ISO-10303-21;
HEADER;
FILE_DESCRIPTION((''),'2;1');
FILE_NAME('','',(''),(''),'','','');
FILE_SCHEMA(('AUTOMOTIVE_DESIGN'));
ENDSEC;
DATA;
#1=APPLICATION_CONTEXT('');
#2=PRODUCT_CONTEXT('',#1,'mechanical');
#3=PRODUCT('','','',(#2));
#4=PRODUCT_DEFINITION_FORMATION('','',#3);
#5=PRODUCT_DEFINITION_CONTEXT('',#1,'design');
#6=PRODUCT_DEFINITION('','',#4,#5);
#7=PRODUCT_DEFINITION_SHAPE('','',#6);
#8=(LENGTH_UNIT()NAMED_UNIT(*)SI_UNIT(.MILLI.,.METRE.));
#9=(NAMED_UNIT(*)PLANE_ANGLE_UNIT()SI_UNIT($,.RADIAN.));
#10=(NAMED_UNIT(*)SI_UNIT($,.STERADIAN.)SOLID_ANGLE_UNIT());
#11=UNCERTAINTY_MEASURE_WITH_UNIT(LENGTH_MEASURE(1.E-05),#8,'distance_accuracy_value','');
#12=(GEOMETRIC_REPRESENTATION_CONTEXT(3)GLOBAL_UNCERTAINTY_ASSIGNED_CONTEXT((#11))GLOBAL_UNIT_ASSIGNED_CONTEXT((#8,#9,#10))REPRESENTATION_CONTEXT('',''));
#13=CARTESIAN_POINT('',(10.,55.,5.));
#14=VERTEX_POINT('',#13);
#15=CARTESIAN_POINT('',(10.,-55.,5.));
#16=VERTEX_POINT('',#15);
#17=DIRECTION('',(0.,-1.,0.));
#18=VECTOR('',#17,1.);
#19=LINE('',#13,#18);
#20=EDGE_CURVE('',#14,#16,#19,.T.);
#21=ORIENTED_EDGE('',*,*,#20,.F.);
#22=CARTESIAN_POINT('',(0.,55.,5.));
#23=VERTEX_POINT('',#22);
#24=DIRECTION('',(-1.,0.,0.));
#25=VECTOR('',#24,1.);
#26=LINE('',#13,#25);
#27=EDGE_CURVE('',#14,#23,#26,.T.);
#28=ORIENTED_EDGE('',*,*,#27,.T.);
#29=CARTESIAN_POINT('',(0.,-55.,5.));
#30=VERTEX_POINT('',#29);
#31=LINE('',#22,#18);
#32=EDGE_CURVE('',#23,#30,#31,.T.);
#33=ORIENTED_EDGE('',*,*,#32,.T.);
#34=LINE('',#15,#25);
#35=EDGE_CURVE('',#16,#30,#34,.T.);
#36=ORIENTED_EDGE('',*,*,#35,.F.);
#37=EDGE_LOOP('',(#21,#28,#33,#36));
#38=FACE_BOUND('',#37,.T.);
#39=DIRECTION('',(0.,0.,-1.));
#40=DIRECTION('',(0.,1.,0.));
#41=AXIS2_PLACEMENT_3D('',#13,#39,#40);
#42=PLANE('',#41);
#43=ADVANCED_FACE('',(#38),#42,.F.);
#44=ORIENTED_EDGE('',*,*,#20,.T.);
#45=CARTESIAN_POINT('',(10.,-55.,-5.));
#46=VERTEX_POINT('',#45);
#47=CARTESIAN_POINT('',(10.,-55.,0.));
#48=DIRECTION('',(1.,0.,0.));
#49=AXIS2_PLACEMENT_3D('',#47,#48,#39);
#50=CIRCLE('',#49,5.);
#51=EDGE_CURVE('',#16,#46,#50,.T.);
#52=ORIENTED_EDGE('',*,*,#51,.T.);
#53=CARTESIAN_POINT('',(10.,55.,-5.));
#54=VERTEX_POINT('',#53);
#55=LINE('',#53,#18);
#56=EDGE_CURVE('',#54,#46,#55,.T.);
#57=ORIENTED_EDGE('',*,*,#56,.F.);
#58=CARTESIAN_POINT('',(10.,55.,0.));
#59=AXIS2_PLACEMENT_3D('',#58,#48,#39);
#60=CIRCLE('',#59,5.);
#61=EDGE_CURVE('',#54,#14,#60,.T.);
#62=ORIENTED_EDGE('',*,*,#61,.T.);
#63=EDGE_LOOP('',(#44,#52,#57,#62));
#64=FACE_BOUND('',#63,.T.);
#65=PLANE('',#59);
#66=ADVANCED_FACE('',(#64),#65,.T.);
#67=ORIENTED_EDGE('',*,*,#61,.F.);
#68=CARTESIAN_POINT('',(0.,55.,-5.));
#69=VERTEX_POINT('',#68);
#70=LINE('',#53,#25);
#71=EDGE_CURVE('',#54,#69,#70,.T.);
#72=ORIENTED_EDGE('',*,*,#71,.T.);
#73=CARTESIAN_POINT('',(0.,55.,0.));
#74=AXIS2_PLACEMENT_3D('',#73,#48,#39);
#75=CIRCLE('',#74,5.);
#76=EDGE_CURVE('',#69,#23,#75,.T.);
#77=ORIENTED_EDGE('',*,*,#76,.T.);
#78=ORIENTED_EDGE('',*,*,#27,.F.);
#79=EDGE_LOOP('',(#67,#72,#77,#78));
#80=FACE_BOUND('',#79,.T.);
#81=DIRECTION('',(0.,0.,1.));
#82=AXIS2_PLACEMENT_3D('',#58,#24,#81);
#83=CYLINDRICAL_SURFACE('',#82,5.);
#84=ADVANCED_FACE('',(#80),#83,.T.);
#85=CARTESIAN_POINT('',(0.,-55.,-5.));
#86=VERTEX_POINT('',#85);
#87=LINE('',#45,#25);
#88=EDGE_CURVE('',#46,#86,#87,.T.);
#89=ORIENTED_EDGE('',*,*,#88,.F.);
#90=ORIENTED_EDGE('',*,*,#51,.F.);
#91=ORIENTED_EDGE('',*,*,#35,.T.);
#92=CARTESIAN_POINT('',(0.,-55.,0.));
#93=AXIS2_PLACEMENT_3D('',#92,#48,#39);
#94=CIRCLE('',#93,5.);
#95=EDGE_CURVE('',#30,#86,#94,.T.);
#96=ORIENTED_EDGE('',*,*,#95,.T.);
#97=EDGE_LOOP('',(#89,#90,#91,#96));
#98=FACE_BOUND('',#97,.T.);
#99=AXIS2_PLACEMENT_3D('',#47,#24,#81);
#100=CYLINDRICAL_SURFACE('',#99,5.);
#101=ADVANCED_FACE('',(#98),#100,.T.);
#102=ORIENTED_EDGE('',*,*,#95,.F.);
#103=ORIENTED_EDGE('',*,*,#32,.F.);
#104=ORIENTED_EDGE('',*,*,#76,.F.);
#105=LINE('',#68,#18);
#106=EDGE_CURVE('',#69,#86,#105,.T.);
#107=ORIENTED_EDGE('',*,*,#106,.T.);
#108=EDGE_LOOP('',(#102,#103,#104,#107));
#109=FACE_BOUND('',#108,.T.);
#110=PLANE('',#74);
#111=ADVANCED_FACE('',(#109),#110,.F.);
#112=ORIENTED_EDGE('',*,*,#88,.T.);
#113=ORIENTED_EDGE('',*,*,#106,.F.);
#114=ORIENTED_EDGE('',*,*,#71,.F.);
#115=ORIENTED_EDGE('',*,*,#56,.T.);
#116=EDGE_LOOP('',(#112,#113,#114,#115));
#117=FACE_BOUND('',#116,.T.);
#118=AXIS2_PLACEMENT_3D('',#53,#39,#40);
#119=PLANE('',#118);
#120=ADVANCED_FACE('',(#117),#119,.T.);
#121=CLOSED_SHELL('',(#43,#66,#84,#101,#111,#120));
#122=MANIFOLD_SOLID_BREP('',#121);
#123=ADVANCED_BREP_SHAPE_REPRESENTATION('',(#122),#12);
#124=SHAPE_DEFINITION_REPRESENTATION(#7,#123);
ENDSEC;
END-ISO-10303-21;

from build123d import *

# Parameters (mm, degrees)
SKETCH_1_R      = 5
SKETCH_1_W      = 10
SKETCH_1_H      = 110
EXTRUDE_1_DEPTH = 10


with BuildPart() as part:
    # 草图1 → 凸台-拉伸1 (new body)
    with BuildSketch(Plane(origin=(0, 0, 0), x_dir=(0, 0, -1), z_dir=(1, 0, 0))):
        with Locations((0, 55)):
            Circle(SKETCH_1_R)
        with Locations((0, -55)):
            Circle(SKETCH_1_R)
        Rectangle(SKETCH_1_W, SKETCH_1_H)
    extrude(amount=EXTRUDE_1_DEPTH)


solid = part.part
